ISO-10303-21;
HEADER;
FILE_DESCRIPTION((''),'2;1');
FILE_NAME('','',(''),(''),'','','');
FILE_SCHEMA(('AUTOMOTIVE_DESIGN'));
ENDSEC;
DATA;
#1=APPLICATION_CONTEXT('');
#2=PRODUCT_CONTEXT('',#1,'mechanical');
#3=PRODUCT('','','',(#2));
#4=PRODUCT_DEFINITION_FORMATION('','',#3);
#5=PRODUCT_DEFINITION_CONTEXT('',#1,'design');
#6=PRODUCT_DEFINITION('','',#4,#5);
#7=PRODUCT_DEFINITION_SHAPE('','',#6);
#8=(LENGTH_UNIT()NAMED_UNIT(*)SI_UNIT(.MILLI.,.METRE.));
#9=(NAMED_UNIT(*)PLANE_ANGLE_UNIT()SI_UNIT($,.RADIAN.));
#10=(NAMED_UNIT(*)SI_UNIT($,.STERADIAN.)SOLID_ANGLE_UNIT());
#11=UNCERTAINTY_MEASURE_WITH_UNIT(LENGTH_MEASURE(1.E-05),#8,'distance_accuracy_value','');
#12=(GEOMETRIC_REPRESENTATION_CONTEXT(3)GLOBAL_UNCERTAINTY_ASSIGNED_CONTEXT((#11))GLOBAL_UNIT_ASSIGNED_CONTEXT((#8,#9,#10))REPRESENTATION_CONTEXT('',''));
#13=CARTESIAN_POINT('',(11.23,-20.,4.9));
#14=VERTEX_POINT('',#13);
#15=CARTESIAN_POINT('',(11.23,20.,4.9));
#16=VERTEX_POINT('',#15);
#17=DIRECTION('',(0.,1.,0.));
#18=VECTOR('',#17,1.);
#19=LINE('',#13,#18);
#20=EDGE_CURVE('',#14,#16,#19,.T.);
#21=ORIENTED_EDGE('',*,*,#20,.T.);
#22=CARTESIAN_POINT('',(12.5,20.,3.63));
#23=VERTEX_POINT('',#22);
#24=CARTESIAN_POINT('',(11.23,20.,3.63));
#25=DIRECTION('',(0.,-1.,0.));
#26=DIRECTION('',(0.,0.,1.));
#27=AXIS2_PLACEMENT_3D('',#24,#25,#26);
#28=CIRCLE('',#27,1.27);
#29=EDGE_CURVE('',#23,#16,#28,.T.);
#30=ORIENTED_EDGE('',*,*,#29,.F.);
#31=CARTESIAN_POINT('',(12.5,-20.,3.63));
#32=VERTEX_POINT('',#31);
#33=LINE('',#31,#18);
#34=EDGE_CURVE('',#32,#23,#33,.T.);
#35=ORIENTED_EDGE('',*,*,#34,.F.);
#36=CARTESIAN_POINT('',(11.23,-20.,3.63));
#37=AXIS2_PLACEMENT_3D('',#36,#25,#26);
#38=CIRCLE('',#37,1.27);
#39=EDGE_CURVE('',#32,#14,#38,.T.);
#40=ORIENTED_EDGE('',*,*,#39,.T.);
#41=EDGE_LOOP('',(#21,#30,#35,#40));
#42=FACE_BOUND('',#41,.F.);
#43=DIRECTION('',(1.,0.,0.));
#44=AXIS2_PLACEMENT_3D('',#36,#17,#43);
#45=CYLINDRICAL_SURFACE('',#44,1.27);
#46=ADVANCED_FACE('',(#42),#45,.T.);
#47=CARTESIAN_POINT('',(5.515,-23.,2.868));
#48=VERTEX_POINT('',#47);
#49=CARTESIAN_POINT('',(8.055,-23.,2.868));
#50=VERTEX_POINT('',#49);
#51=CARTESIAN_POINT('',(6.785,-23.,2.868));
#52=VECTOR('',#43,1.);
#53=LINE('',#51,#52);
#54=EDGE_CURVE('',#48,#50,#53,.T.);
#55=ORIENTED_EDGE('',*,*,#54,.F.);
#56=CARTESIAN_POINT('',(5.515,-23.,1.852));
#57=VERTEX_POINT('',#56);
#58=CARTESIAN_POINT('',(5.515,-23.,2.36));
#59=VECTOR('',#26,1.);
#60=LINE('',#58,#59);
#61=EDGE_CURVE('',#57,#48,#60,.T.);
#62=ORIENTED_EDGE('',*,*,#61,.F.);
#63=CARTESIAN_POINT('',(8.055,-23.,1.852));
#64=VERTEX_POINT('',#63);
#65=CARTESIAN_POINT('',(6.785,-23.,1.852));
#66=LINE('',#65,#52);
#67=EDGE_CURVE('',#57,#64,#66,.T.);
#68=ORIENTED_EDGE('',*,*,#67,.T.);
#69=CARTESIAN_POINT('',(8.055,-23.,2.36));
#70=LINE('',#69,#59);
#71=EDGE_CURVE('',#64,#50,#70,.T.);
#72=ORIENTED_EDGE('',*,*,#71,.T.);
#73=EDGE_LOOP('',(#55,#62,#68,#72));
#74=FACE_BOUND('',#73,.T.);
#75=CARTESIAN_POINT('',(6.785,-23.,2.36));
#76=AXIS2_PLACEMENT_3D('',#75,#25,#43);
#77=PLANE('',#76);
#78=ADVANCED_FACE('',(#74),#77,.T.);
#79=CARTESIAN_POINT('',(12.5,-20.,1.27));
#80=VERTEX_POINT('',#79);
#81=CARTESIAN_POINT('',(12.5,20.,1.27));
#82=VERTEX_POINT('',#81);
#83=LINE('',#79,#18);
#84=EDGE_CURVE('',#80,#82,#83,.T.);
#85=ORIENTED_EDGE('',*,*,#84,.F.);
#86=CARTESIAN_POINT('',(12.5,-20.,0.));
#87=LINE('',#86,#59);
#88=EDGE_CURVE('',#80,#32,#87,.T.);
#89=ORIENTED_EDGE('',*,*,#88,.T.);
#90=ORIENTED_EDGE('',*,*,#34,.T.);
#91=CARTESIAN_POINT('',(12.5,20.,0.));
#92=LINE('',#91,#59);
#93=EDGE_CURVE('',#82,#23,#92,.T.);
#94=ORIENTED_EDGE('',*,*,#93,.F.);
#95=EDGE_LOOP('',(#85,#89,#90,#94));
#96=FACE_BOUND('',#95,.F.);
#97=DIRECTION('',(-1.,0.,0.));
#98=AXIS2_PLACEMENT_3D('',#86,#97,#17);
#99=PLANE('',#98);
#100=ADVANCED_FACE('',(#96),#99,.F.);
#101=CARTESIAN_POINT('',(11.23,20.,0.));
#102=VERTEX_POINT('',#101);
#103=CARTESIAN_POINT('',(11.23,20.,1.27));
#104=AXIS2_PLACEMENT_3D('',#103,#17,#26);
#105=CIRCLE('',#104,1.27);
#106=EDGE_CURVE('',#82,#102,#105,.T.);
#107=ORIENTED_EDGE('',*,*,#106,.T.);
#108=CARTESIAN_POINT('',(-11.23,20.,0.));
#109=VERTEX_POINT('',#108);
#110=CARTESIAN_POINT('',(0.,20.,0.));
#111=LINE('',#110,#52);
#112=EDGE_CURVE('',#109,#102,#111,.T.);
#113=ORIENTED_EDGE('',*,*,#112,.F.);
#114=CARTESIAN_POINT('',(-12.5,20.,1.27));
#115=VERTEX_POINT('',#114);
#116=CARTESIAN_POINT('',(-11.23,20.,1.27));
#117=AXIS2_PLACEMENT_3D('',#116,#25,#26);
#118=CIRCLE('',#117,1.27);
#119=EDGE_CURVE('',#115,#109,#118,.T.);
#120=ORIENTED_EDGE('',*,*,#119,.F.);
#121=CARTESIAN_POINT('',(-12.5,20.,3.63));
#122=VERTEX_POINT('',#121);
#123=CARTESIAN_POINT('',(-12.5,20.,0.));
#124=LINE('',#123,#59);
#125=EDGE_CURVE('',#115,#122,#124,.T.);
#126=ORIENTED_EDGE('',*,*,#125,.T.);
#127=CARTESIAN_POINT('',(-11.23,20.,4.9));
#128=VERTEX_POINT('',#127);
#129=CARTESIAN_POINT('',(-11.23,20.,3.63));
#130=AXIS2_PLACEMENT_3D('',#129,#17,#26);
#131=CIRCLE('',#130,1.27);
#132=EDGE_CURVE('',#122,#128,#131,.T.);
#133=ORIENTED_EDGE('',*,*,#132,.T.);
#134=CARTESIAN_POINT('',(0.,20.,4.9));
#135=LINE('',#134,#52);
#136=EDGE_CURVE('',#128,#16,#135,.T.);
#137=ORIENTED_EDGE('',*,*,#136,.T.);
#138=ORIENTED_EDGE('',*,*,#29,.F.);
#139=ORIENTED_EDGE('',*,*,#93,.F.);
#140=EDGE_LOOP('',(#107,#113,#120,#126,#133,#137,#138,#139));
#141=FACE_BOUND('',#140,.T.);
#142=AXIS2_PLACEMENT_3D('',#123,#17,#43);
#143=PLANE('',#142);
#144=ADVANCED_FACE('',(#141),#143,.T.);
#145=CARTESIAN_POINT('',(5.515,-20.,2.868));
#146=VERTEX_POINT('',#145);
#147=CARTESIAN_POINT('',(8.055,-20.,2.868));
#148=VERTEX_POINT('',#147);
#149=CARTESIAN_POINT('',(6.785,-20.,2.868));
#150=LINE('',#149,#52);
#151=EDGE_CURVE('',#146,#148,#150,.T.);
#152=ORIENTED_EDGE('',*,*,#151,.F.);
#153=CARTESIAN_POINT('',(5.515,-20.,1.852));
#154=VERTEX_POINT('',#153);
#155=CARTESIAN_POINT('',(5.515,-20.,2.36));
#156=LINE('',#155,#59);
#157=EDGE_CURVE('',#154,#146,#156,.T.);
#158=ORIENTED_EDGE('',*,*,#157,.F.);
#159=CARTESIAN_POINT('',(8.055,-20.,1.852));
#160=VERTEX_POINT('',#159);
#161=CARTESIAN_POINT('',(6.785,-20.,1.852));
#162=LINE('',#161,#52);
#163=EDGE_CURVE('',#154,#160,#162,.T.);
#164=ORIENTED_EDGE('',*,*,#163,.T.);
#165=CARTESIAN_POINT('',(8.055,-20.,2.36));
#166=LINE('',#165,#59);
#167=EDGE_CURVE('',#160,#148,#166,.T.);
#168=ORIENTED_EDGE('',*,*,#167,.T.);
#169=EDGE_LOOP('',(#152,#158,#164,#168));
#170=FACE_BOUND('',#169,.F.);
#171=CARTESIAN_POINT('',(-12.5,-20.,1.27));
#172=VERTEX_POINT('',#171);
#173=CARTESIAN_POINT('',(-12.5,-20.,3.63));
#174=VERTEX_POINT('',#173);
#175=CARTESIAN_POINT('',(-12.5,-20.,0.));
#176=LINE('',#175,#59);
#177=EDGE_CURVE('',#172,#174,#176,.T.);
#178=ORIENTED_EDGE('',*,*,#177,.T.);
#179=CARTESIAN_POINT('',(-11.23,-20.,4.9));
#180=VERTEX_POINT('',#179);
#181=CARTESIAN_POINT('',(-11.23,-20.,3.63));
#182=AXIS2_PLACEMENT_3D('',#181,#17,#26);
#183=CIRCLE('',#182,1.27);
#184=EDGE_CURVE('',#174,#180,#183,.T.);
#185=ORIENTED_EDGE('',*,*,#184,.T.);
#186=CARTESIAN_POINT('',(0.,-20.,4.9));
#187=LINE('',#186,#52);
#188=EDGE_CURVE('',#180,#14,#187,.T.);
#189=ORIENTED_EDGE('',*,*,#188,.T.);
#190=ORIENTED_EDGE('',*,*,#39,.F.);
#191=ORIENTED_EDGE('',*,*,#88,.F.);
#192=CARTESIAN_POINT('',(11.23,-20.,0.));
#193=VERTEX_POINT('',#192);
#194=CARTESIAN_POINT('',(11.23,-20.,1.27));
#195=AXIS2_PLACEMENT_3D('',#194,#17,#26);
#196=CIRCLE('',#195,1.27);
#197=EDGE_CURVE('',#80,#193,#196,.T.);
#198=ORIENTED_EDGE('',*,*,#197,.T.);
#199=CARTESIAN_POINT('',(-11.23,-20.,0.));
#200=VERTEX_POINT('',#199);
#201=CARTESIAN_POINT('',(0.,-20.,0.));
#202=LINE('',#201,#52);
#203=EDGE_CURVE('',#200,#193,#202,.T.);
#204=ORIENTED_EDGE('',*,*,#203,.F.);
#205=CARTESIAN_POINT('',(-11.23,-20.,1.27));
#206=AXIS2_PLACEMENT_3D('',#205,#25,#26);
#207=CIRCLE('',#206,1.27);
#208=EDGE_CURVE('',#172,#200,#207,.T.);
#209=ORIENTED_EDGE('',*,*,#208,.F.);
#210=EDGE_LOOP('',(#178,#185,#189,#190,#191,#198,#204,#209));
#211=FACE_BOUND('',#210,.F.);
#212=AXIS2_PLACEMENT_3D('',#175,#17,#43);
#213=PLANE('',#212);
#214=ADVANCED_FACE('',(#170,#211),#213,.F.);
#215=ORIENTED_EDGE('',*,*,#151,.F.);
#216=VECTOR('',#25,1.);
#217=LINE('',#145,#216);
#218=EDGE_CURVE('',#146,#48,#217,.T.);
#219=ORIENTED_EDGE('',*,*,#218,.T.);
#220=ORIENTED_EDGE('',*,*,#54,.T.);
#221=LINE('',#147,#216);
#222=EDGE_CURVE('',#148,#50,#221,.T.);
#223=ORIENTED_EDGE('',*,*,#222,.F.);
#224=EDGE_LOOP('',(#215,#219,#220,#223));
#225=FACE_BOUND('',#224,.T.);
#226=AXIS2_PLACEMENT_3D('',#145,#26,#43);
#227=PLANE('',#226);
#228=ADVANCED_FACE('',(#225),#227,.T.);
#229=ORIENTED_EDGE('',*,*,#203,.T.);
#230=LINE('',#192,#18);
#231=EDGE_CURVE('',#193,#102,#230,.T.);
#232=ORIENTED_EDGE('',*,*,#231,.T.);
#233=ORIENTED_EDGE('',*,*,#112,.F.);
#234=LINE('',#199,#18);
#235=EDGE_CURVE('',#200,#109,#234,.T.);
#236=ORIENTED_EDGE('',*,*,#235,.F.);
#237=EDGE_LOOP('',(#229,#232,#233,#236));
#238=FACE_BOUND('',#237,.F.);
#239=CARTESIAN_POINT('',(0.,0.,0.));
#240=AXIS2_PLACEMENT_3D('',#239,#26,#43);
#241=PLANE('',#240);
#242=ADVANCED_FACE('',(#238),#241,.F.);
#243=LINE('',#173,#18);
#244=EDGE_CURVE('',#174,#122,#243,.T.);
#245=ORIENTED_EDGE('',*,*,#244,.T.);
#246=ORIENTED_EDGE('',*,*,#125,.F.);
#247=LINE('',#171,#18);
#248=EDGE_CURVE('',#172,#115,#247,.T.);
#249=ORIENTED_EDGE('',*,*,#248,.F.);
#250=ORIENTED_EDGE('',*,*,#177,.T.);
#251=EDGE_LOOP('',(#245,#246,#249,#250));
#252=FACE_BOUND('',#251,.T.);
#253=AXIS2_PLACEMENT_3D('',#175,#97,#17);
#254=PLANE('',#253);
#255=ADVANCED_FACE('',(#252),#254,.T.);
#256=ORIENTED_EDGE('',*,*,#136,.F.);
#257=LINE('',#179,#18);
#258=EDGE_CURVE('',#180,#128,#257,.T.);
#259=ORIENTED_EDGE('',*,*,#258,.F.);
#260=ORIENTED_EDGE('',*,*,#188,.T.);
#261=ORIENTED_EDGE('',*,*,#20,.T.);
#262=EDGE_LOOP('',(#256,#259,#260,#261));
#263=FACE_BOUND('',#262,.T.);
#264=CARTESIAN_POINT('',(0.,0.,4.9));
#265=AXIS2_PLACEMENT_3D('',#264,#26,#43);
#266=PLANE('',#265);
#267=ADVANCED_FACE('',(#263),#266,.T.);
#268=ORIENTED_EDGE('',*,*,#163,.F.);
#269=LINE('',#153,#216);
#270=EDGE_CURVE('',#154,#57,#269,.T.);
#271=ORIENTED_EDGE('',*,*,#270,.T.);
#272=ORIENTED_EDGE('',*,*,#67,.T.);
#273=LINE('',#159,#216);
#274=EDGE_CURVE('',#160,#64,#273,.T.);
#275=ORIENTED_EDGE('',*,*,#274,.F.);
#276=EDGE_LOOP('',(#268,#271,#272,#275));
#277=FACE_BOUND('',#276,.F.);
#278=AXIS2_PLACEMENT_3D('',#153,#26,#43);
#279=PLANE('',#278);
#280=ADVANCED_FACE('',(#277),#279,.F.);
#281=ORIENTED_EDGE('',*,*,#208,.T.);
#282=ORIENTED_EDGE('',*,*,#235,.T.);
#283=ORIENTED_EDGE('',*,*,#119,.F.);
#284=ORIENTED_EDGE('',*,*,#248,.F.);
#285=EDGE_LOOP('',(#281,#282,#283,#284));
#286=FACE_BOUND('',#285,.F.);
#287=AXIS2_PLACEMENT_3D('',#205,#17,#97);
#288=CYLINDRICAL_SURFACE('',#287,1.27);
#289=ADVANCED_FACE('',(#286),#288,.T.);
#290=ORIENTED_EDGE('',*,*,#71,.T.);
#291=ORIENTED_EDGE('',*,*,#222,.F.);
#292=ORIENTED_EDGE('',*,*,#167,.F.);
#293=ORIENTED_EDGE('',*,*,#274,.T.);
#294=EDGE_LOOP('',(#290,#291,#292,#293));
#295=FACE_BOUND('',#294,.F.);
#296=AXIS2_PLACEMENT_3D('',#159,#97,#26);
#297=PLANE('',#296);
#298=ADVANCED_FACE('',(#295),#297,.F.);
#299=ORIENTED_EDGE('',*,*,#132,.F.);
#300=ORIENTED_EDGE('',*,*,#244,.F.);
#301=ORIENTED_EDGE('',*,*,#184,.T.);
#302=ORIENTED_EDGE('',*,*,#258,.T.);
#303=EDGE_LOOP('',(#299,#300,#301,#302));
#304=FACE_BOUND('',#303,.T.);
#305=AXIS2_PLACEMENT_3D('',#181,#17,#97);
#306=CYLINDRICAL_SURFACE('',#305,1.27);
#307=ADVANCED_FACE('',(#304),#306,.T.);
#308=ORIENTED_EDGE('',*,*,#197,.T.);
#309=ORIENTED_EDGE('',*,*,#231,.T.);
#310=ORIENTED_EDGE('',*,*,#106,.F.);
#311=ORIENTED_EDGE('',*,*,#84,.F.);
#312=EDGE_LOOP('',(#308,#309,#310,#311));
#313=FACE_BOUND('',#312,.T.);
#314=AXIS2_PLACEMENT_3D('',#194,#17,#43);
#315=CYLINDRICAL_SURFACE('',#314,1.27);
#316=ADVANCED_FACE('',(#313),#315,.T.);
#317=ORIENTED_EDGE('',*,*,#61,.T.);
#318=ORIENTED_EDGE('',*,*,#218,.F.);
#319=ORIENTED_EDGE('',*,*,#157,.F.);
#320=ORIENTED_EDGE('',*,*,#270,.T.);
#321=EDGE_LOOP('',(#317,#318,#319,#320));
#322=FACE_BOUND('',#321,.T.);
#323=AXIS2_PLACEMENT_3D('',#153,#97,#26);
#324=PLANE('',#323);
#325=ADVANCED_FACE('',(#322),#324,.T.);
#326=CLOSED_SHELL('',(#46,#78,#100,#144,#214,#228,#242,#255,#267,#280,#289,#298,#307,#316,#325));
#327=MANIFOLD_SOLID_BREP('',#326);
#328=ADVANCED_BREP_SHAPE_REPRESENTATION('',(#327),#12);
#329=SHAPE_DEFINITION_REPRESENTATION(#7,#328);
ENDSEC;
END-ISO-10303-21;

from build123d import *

# Parameters (mm, degrees)
F0_W     = 25
F0_H     = 40
F1_DEPTH = 4.9
F2_R     = 1.27
F3_W     = 2.54
F3_H     = 1.016
F4_DEPTH = 3


with BuildPart() as f1:
    # F0 (on Top) → F1 (new body)
    with BuildSketch(Plane.XY):
        Rectangle(F0_W, F0_H)
    extrude(amount=F1_DEPTH)

    # F2
    f2_edges = [f1.edges().sort_by_distance(p)[0] for p in [
        (-12.5, 0, 4.9),
        (12.5, 0, 4.9),
        (12.5, 0, 0),
        (-12.5, 0, 0),
    ]]
    fillet(f2_edges, radius=F2_R)

    # F3 (on face) → F4 (join)
    with BuildSketch(Plane.XZ.offset(20)):
        with Locations((6.785, 2.36)):
            Rectangle(F3_W, F3_H)
    extrude(amount=F4_DEPTH)


solid = f1.part
